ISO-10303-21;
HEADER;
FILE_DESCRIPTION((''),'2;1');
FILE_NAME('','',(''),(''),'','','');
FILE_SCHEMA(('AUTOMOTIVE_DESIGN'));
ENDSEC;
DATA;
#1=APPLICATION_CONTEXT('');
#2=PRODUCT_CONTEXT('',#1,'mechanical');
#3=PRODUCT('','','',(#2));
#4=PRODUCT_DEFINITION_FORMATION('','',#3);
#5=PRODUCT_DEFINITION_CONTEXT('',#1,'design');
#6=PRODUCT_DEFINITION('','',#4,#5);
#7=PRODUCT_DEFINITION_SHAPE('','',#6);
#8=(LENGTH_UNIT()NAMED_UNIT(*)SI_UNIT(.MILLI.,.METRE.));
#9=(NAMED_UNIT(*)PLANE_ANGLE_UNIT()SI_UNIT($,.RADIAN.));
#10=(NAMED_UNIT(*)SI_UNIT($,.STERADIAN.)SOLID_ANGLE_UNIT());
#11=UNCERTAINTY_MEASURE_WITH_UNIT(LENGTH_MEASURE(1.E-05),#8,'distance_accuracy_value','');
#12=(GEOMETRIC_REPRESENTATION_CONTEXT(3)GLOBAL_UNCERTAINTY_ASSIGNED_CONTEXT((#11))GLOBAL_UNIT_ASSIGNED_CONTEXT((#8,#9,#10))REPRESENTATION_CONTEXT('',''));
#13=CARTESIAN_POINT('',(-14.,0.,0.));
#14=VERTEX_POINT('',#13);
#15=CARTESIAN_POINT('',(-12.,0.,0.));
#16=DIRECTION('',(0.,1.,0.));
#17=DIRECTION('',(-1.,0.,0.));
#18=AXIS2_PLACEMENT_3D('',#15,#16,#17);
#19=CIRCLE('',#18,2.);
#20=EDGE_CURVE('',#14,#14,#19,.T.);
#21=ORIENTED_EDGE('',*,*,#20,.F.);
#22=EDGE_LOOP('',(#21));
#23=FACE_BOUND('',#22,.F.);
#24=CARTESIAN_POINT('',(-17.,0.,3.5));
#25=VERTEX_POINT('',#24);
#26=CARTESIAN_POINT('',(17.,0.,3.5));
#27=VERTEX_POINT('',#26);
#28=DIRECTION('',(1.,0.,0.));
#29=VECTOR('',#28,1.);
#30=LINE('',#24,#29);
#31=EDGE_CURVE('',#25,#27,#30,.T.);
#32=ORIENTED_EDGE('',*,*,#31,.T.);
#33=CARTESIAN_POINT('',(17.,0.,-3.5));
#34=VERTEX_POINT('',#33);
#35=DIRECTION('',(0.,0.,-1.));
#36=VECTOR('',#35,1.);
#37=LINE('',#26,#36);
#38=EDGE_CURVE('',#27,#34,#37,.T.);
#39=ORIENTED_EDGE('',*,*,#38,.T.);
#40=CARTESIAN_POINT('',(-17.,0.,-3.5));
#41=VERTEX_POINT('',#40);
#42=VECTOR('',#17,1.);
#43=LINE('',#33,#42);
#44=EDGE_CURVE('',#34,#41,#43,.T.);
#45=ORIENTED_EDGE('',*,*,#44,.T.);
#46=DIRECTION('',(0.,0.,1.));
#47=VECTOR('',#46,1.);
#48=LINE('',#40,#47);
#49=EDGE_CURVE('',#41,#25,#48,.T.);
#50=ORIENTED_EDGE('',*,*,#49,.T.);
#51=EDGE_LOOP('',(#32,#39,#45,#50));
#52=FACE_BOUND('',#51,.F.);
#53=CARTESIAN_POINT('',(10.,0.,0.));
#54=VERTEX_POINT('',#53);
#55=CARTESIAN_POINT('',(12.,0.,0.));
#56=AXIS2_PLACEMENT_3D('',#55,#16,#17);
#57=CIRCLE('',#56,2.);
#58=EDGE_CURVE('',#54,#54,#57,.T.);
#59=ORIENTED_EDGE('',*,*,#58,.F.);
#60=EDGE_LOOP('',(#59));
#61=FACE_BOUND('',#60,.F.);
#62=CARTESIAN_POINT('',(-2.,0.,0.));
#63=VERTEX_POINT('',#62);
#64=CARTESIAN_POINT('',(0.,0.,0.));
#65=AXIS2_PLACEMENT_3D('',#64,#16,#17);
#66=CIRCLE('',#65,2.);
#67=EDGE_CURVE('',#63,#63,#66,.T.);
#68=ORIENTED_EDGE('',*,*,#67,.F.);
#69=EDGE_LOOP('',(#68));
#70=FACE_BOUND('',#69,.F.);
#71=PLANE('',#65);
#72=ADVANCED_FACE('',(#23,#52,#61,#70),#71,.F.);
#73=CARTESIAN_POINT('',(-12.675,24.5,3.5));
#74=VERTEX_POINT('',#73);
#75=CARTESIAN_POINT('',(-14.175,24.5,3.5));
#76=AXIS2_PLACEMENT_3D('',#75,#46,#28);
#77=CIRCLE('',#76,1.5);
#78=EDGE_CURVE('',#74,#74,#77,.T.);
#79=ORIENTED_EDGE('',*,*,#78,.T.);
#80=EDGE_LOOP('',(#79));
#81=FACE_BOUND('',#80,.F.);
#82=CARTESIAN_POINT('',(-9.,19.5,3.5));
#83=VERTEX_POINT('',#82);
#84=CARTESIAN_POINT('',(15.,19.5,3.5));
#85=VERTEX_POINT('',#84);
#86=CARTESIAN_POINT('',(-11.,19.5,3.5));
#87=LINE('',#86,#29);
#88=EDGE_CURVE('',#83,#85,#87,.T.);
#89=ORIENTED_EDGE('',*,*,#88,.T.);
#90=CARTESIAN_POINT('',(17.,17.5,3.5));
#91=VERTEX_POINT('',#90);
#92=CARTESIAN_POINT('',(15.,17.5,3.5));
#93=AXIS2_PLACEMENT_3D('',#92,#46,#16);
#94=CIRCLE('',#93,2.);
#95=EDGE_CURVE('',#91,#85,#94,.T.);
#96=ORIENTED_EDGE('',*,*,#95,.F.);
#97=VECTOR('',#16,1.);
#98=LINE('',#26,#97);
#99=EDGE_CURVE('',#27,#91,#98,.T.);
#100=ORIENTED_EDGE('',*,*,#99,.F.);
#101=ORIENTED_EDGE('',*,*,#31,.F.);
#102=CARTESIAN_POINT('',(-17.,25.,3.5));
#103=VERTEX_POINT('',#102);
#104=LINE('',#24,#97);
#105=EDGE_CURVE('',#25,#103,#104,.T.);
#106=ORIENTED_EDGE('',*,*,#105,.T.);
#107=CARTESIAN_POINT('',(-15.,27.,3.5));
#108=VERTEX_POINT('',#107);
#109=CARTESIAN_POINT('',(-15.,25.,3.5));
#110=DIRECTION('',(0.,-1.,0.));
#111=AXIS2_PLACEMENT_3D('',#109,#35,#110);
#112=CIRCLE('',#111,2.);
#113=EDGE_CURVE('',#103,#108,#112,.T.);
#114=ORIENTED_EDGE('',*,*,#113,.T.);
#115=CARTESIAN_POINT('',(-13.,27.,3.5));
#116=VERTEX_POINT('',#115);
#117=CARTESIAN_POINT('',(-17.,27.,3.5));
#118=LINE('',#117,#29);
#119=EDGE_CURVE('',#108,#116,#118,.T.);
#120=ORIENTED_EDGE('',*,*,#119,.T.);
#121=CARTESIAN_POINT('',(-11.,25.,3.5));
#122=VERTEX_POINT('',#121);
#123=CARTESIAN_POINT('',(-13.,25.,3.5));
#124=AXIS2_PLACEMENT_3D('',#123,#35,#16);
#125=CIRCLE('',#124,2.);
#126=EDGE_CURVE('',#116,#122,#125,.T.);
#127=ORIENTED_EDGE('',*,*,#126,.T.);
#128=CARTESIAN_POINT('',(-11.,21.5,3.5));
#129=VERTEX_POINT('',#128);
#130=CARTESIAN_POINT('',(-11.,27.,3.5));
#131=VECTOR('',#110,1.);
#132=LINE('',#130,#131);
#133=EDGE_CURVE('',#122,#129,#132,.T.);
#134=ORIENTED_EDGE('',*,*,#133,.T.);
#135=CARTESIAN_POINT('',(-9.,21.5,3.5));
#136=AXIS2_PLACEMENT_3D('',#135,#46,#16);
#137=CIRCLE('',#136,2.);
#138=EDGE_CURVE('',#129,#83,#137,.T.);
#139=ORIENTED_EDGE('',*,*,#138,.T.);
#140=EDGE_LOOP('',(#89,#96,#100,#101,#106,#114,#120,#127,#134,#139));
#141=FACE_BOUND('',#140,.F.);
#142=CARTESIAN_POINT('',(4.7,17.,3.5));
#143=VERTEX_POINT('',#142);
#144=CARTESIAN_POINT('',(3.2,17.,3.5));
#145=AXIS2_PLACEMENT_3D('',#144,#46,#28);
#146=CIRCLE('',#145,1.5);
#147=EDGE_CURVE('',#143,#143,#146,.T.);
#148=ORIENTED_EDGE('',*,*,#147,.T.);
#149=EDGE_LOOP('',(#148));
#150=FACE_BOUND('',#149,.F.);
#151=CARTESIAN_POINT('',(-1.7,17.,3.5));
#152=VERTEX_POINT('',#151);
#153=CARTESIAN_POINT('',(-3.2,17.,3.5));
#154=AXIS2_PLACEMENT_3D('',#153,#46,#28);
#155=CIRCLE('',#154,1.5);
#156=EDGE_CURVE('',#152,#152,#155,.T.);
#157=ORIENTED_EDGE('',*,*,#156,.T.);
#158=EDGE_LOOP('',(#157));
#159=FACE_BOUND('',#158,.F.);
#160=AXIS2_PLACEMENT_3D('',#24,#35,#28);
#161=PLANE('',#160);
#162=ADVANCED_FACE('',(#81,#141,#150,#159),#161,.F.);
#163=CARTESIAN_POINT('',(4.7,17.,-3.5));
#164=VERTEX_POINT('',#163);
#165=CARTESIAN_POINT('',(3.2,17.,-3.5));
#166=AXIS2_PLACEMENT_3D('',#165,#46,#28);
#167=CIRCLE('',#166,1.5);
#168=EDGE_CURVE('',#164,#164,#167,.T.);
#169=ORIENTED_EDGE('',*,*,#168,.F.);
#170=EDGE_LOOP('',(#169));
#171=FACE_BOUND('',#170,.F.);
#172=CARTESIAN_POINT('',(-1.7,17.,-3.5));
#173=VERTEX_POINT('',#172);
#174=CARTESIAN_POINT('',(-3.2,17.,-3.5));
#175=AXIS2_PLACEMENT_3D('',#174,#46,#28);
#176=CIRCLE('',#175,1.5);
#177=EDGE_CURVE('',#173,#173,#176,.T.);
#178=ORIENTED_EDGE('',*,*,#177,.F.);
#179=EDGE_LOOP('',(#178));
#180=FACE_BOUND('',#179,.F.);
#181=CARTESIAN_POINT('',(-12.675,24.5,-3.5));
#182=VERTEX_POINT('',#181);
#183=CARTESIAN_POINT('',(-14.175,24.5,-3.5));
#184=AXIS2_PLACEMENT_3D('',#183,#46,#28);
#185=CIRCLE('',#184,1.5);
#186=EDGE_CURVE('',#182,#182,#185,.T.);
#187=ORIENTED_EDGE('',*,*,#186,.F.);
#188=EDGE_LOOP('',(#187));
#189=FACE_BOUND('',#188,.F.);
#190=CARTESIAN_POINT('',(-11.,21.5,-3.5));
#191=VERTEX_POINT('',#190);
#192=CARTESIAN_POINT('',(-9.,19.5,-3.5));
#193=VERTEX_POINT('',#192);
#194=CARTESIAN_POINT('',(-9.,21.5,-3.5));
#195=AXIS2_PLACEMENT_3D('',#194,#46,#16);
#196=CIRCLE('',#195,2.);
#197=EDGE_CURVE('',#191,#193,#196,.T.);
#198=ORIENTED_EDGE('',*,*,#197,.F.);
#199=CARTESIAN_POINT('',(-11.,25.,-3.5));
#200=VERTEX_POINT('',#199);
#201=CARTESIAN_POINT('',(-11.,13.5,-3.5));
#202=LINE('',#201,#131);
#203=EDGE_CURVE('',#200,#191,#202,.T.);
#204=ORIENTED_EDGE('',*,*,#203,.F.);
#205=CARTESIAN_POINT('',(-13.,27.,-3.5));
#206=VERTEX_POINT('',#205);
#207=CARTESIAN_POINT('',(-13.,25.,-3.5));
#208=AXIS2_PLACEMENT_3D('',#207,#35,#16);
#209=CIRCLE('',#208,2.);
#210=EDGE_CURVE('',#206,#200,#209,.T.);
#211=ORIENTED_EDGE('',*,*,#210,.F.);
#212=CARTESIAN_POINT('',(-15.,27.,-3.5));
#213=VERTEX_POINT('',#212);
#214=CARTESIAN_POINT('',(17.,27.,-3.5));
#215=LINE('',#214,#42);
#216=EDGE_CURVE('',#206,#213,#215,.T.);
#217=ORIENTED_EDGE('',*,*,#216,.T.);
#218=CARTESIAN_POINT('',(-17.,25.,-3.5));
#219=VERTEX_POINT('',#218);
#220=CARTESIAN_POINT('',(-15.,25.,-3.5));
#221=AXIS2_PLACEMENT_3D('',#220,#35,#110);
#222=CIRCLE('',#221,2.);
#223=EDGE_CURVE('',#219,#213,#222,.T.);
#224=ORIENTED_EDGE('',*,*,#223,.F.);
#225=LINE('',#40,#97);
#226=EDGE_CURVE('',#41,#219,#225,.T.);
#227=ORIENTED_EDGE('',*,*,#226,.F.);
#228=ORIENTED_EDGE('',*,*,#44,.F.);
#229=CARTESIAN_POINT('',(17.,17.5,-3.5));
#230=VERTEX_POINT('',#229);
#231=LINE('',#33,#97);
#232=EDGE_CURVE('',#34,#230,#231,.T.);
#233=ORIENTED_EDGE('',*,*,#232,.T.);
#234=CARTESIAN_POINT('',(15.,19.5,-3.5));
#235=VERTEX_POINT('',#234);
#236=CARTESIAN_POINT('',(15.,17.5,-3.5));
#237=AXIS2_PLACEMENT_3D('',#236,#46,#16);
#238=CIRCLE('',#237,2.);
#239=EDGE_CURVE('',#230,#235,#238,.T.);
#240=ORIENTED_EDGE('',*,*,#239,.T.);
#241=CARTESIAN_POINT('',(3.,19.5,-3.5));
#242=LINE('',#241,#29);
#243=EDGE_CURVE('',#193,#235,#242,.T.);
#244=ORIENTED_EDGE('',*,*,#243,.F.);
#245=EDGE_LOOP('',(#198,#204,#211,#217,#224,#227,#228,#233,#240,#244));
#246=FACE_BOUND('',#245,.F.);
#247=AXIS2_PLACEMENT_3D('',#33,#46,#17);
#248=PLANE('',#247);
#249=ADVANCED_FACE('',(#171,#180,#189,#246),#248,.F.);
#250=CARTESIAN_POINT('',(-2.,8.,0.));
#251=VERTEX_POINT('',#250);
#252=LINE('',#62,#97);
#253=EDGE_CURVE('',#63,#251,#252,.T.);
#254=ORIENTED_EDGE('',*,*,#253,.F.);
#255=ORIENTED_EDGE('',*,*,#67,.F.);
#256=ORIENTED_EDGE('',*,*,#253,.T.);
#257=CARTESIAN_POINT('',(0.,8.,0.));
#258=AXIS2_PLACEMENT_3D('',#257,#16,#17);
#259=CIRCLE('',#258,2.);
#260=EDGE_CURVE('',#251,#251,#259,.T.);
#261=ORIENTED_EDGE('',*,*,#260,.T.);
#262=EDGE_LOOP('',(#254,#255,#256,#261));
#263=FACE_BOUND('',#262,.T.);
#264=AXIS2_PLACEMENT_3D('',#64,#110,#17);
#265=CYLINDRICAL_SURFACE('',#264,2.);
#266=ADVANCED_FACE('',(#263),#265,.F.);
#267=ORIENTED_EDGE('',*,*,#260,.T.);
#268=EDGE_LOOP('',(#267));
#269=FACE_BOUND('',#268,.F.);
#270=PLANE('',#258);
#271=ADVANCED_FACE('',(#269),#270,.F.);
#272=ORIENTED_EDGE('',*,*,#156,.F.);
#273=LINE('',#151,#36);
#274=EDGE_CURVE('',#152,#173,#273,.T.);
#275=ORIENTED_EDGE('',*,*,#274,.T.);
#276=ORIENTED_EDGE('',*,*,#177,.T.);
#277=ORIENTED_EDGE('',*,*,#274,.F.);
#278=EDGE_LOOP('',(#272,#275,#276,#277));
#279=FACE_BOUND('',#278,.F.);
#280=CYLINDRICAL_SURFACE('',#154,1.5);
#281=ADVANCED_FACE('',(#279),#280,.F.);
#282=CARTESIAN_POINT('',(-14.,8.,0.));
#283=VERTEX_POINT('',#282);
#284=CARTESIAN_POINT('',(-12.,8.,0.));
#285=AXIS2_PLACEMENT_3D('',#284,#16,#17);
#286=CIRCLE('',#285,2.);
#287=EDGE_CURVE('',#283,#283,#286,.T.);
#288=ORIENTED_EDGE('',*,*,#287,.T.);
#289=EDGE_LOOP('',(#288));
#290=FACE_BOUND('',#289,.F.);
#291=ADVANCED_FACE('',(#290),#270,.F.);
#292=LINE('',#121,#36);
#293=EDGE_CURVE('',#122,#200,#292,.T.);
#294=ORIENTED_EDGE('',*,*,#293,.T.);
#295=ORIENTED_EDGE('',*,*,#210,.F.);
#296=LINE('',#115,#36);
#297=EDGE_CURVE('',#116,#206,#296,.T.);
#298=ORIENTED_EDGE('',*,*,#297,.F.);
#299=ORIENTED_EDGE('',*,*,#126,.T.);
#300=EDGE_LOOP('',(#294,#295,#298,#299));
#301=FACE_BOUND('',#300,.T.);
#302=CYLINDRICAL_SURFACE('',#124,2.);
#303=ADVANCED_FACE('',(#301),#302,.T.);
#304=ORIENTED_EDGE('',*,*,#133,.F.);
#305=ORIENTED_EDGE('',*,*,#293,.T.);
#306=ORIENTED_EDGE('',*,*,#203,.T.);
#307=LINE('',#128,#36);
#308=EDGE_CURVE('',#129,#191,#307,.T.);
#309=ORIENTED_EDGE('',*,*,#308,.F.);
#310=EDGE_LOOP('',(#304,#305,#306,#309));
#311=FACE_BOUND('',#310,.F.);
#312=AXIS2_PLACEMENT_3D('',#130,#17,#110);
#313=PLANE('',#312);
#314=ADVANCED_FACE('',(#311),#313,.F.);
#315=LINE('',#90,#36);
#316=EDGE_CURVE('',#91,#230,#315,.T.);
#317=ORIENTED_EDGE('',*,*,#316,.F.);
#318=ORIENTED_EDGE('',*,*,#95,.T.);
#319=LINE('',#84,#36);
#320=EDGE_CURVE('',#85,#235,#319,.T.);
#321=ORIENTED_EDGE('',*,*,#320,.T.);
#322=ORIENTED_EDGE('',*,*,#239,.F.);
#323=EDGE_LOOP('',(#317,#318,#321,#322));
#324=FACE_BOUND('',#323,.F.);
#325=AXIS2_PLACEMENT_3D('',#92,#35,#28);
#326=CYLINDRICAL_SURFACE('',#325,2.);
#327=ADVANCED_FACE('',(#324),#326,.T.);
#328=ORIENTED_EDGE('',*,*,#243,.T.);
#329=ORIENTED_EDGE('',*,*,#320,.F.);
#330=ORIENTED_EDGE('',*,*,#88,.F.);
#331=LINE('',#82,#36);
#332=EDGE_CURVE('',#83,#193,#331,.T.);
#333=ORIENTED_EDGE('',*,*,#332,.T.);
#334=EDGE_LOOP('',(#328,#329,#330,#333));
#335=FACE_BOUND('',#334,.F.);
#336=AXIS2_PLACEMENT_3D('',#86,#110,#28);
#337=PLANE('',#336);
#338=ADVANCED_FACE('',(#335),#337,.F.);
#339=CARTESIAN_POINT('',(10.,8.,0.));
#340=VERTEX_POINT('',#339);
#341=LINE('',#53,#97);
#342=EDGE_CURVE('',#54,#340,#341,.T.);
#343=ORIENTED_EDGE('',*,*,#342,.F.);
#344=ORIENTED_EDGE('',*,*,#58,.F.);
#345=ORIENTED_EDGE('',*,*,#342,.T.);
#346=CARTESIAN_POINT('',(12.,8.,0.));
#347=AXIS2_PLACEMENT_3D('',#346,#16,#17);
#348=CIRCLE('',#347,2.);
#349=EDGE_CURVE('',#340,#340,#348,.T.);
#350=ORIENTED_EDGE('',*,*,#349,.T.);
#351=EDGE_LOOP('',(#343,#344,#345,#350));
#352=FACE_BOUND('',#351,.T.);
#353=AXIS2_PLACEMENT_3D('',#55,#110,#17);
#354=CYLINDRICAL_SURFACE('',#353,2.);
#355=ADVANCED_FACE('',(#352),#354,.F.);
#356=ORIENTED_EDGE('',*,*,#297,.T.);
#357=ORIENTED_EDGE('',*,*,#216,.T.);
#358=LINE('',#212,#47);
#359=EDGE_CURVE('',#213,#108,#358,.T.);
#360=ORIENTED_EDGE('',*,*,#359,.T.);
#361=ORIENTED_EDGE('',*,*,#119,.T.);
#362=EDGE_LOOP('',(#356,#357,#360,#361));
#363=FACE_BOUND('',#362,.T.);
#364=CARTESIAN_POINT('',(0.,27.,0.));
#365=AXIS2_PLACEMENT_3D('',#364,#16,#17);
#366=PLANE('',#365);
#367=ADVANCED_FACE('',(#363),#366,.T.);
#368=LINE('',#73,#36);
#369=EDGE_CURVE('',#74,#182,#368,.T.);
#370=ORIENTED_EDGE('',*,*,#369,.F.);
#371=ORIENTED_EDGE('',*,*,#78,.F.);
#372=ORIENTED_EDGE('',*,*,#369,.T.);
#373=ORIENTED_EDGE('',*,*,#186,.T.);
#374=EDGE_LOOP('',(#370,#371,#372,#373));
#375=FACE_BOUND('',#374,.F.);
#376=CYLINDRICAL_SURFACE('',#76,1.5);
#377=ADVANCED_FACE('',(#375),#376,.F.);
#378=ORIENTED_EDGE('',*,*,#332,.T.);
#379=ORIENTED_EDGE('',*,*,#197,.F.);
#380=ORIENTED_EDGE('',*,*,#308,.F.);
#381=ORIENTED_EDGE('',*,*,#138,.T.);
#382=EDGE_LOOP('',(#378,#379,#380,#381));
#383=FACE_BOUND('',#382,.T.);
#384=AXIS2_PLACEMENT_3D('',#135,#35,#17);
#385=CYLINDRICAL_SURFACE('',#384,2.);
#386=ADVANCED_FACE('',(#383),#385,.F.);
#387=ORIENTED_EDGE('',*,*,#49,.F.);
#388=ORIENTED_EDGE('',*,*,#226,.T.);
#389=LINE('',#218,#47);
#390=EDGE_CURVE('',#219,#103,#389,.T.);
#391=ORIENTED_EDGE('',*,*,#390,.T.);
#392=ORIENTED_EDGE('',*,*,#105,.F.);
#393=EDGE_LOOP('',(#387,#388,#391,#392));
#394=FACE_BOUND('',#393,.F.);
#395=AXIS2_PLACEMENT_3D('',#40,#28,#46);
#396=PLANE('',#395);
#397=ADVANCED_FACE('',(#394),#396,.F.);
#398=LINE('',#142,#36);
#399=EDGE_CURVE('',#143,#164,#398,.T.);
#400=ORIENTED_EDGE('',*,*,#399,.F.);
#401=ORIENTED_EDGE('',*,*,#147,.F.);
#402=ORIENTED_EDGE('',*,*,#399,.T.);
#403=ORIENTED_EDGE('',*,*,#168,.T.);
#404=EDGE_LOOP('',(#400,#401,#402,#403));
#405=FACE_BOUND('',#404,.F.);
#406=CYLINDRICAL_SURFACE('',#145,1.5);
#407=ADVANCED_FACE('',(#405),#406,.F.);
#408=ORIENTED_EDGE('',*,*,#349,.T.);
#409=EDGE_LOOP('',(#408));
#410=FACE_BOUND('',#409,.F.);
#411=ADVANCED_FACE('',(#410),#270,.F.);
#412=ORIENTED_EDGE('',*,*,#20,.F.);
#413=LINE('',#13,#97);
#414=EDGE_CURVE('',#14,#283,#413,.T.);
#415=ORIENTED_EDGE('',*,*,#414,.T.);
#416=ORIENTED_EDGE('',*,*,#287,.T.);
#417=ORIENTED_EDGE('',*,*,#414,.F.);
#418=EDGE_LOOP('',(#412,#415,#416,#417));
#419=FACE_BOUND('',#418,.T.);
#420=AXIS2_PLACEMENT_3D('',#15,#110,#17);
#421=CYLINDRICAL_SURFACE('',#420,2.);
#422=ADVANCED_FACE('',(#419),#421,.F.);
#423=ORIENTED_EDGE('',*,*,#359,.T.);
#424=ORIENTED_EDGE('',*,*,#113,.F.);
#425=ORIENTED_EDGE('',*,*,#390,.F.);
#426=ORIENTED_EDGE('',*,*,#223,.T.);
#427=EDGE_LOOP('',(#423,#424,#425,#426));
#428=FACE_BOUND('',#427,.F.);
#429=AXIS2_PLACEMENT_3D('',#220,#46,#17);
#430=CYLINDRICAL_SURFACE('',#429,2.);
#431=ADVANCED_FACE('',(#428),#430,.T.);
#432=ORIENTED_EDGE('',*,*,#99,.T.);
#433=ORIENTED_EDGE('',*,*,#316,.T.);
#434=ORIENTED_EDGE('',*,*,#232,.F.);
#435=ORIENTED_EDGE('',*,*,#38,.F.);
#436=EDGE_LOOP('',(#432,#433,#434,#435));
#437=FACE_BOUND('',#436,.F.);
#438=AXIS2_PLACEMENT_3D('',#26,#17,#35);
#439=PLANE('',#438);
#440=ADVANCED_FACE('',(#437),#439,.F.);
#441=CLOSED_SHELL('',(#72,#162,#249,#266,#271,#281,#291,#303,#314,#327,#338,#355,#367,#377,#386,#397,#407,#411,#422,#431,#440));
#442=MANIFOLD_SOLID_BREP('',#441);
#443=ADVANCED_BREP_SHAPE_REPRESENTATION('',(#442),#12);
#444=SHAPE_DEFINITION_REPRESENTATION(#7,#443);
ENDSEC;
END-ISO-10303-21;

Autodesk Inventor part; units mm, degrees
ref_plane "YZ Plane" through (0, 0, 0) normal (1, 0, 0) x (0, 1, 0)
ref_plane "XZ Plane" through (0, 0, 0) normal (0, 1, 0) x (-1, 0, 0)
ref_plane "XY Plane" through (0, 0, 0) normal (0, 0, 1) x (1, 0, 0)
sketch "Sketch1" plane through (0, 0, 0) normal (0, 1, 0) x (-1, 0, 0)
  circle A0 centre (0, 0) radius 2
  circle A1 centre (12, 0) radius 2
  line L0 (0, 0) -> (0, 2) construction
  circle A2 centre (-12, 0) radius 2
  line L1 (17, 3.5) -> (-17, 3.5)
  line L2 (-17, 3.5) -> (-17, -3.5)
  line L3 (-17, -3.5) -> (17, -3.5)
  line L4 (17, -3.5) -> (17, 3.5)
  line L5 (17, 3.5) -> (-17, -3.5) construction
  line L6 (-17, 3.5) -> (17, -3.5) construction
  dimension "d0" = 4
  dimension "d1" = 4
  dimension "d2" = 12
  dimension "d3" = 34
  dimension "d4" = 7
extrude "Extrusion1" add sketch "Sketch1" along normal blind 27 contours A0 | A1 | A2 | L4 L3 L2 L1
extrude "Extrusion2" cut sketch "Sketch1" along normal blind 8 contours A0 | A1 | A2
sketch "Sketch2" plane through (-17, 0, 3.5) normal (0, 0, 1) x (1, 0, 0)
  circle A0 centre (20.2, 17) radius 1.5
  circle A1 centre (13.8, 17) radius 1.5
  circle A2 centre (2.825, 24.5) radius 1.5
  line L0 (13.8, 17) -> (20.2, 17) construction
  line L1 (0, 0) -> (34, 0) projected
  line L2 (0, 27) -> (34, 27) construction
  point P0 (17, 0)
  point P1 (17, 17)
  point P2 (17, 0)
  point P3 (17, 27)
  dimension "d9" = 3
  dimension "d10" = 3
  dimension "d11" = 3
  dimension "d12" = 6.4
  dimension "d13" = 10.975
  dimension "d14" = 7.5
  dimension "d15" = 10
extrude "Extrusion3" cut sketch "Sketch2" against normal through all
sketch "Sketch3" plane through (-17, 0, 3.5) normal (0, 0, 1) x (1, 0, 0)
  line L0 (34, 27) -> (0, 27) projected
  line L1 (6, 27) -> (6, 19.5)
  line L2 (6, 19.5) -> (34, 19.5)
  line L3 (34, 0) -> (34, 27) projected
  point P0 (17, 0)
  dimension "d18" = 7.5
  dimension "d19" = 28
extrude "Extrusion4" cut sketch "Sketch3" against normal through all
fillet "Fillet1" radius 2 4 edges at (-17, 27, 0) (-11, 27, 0) (-11, 19.5, 0) (17, 19.5, 0)
properties part number "Pixy2Mount" material "PC/ABS Plastic"
